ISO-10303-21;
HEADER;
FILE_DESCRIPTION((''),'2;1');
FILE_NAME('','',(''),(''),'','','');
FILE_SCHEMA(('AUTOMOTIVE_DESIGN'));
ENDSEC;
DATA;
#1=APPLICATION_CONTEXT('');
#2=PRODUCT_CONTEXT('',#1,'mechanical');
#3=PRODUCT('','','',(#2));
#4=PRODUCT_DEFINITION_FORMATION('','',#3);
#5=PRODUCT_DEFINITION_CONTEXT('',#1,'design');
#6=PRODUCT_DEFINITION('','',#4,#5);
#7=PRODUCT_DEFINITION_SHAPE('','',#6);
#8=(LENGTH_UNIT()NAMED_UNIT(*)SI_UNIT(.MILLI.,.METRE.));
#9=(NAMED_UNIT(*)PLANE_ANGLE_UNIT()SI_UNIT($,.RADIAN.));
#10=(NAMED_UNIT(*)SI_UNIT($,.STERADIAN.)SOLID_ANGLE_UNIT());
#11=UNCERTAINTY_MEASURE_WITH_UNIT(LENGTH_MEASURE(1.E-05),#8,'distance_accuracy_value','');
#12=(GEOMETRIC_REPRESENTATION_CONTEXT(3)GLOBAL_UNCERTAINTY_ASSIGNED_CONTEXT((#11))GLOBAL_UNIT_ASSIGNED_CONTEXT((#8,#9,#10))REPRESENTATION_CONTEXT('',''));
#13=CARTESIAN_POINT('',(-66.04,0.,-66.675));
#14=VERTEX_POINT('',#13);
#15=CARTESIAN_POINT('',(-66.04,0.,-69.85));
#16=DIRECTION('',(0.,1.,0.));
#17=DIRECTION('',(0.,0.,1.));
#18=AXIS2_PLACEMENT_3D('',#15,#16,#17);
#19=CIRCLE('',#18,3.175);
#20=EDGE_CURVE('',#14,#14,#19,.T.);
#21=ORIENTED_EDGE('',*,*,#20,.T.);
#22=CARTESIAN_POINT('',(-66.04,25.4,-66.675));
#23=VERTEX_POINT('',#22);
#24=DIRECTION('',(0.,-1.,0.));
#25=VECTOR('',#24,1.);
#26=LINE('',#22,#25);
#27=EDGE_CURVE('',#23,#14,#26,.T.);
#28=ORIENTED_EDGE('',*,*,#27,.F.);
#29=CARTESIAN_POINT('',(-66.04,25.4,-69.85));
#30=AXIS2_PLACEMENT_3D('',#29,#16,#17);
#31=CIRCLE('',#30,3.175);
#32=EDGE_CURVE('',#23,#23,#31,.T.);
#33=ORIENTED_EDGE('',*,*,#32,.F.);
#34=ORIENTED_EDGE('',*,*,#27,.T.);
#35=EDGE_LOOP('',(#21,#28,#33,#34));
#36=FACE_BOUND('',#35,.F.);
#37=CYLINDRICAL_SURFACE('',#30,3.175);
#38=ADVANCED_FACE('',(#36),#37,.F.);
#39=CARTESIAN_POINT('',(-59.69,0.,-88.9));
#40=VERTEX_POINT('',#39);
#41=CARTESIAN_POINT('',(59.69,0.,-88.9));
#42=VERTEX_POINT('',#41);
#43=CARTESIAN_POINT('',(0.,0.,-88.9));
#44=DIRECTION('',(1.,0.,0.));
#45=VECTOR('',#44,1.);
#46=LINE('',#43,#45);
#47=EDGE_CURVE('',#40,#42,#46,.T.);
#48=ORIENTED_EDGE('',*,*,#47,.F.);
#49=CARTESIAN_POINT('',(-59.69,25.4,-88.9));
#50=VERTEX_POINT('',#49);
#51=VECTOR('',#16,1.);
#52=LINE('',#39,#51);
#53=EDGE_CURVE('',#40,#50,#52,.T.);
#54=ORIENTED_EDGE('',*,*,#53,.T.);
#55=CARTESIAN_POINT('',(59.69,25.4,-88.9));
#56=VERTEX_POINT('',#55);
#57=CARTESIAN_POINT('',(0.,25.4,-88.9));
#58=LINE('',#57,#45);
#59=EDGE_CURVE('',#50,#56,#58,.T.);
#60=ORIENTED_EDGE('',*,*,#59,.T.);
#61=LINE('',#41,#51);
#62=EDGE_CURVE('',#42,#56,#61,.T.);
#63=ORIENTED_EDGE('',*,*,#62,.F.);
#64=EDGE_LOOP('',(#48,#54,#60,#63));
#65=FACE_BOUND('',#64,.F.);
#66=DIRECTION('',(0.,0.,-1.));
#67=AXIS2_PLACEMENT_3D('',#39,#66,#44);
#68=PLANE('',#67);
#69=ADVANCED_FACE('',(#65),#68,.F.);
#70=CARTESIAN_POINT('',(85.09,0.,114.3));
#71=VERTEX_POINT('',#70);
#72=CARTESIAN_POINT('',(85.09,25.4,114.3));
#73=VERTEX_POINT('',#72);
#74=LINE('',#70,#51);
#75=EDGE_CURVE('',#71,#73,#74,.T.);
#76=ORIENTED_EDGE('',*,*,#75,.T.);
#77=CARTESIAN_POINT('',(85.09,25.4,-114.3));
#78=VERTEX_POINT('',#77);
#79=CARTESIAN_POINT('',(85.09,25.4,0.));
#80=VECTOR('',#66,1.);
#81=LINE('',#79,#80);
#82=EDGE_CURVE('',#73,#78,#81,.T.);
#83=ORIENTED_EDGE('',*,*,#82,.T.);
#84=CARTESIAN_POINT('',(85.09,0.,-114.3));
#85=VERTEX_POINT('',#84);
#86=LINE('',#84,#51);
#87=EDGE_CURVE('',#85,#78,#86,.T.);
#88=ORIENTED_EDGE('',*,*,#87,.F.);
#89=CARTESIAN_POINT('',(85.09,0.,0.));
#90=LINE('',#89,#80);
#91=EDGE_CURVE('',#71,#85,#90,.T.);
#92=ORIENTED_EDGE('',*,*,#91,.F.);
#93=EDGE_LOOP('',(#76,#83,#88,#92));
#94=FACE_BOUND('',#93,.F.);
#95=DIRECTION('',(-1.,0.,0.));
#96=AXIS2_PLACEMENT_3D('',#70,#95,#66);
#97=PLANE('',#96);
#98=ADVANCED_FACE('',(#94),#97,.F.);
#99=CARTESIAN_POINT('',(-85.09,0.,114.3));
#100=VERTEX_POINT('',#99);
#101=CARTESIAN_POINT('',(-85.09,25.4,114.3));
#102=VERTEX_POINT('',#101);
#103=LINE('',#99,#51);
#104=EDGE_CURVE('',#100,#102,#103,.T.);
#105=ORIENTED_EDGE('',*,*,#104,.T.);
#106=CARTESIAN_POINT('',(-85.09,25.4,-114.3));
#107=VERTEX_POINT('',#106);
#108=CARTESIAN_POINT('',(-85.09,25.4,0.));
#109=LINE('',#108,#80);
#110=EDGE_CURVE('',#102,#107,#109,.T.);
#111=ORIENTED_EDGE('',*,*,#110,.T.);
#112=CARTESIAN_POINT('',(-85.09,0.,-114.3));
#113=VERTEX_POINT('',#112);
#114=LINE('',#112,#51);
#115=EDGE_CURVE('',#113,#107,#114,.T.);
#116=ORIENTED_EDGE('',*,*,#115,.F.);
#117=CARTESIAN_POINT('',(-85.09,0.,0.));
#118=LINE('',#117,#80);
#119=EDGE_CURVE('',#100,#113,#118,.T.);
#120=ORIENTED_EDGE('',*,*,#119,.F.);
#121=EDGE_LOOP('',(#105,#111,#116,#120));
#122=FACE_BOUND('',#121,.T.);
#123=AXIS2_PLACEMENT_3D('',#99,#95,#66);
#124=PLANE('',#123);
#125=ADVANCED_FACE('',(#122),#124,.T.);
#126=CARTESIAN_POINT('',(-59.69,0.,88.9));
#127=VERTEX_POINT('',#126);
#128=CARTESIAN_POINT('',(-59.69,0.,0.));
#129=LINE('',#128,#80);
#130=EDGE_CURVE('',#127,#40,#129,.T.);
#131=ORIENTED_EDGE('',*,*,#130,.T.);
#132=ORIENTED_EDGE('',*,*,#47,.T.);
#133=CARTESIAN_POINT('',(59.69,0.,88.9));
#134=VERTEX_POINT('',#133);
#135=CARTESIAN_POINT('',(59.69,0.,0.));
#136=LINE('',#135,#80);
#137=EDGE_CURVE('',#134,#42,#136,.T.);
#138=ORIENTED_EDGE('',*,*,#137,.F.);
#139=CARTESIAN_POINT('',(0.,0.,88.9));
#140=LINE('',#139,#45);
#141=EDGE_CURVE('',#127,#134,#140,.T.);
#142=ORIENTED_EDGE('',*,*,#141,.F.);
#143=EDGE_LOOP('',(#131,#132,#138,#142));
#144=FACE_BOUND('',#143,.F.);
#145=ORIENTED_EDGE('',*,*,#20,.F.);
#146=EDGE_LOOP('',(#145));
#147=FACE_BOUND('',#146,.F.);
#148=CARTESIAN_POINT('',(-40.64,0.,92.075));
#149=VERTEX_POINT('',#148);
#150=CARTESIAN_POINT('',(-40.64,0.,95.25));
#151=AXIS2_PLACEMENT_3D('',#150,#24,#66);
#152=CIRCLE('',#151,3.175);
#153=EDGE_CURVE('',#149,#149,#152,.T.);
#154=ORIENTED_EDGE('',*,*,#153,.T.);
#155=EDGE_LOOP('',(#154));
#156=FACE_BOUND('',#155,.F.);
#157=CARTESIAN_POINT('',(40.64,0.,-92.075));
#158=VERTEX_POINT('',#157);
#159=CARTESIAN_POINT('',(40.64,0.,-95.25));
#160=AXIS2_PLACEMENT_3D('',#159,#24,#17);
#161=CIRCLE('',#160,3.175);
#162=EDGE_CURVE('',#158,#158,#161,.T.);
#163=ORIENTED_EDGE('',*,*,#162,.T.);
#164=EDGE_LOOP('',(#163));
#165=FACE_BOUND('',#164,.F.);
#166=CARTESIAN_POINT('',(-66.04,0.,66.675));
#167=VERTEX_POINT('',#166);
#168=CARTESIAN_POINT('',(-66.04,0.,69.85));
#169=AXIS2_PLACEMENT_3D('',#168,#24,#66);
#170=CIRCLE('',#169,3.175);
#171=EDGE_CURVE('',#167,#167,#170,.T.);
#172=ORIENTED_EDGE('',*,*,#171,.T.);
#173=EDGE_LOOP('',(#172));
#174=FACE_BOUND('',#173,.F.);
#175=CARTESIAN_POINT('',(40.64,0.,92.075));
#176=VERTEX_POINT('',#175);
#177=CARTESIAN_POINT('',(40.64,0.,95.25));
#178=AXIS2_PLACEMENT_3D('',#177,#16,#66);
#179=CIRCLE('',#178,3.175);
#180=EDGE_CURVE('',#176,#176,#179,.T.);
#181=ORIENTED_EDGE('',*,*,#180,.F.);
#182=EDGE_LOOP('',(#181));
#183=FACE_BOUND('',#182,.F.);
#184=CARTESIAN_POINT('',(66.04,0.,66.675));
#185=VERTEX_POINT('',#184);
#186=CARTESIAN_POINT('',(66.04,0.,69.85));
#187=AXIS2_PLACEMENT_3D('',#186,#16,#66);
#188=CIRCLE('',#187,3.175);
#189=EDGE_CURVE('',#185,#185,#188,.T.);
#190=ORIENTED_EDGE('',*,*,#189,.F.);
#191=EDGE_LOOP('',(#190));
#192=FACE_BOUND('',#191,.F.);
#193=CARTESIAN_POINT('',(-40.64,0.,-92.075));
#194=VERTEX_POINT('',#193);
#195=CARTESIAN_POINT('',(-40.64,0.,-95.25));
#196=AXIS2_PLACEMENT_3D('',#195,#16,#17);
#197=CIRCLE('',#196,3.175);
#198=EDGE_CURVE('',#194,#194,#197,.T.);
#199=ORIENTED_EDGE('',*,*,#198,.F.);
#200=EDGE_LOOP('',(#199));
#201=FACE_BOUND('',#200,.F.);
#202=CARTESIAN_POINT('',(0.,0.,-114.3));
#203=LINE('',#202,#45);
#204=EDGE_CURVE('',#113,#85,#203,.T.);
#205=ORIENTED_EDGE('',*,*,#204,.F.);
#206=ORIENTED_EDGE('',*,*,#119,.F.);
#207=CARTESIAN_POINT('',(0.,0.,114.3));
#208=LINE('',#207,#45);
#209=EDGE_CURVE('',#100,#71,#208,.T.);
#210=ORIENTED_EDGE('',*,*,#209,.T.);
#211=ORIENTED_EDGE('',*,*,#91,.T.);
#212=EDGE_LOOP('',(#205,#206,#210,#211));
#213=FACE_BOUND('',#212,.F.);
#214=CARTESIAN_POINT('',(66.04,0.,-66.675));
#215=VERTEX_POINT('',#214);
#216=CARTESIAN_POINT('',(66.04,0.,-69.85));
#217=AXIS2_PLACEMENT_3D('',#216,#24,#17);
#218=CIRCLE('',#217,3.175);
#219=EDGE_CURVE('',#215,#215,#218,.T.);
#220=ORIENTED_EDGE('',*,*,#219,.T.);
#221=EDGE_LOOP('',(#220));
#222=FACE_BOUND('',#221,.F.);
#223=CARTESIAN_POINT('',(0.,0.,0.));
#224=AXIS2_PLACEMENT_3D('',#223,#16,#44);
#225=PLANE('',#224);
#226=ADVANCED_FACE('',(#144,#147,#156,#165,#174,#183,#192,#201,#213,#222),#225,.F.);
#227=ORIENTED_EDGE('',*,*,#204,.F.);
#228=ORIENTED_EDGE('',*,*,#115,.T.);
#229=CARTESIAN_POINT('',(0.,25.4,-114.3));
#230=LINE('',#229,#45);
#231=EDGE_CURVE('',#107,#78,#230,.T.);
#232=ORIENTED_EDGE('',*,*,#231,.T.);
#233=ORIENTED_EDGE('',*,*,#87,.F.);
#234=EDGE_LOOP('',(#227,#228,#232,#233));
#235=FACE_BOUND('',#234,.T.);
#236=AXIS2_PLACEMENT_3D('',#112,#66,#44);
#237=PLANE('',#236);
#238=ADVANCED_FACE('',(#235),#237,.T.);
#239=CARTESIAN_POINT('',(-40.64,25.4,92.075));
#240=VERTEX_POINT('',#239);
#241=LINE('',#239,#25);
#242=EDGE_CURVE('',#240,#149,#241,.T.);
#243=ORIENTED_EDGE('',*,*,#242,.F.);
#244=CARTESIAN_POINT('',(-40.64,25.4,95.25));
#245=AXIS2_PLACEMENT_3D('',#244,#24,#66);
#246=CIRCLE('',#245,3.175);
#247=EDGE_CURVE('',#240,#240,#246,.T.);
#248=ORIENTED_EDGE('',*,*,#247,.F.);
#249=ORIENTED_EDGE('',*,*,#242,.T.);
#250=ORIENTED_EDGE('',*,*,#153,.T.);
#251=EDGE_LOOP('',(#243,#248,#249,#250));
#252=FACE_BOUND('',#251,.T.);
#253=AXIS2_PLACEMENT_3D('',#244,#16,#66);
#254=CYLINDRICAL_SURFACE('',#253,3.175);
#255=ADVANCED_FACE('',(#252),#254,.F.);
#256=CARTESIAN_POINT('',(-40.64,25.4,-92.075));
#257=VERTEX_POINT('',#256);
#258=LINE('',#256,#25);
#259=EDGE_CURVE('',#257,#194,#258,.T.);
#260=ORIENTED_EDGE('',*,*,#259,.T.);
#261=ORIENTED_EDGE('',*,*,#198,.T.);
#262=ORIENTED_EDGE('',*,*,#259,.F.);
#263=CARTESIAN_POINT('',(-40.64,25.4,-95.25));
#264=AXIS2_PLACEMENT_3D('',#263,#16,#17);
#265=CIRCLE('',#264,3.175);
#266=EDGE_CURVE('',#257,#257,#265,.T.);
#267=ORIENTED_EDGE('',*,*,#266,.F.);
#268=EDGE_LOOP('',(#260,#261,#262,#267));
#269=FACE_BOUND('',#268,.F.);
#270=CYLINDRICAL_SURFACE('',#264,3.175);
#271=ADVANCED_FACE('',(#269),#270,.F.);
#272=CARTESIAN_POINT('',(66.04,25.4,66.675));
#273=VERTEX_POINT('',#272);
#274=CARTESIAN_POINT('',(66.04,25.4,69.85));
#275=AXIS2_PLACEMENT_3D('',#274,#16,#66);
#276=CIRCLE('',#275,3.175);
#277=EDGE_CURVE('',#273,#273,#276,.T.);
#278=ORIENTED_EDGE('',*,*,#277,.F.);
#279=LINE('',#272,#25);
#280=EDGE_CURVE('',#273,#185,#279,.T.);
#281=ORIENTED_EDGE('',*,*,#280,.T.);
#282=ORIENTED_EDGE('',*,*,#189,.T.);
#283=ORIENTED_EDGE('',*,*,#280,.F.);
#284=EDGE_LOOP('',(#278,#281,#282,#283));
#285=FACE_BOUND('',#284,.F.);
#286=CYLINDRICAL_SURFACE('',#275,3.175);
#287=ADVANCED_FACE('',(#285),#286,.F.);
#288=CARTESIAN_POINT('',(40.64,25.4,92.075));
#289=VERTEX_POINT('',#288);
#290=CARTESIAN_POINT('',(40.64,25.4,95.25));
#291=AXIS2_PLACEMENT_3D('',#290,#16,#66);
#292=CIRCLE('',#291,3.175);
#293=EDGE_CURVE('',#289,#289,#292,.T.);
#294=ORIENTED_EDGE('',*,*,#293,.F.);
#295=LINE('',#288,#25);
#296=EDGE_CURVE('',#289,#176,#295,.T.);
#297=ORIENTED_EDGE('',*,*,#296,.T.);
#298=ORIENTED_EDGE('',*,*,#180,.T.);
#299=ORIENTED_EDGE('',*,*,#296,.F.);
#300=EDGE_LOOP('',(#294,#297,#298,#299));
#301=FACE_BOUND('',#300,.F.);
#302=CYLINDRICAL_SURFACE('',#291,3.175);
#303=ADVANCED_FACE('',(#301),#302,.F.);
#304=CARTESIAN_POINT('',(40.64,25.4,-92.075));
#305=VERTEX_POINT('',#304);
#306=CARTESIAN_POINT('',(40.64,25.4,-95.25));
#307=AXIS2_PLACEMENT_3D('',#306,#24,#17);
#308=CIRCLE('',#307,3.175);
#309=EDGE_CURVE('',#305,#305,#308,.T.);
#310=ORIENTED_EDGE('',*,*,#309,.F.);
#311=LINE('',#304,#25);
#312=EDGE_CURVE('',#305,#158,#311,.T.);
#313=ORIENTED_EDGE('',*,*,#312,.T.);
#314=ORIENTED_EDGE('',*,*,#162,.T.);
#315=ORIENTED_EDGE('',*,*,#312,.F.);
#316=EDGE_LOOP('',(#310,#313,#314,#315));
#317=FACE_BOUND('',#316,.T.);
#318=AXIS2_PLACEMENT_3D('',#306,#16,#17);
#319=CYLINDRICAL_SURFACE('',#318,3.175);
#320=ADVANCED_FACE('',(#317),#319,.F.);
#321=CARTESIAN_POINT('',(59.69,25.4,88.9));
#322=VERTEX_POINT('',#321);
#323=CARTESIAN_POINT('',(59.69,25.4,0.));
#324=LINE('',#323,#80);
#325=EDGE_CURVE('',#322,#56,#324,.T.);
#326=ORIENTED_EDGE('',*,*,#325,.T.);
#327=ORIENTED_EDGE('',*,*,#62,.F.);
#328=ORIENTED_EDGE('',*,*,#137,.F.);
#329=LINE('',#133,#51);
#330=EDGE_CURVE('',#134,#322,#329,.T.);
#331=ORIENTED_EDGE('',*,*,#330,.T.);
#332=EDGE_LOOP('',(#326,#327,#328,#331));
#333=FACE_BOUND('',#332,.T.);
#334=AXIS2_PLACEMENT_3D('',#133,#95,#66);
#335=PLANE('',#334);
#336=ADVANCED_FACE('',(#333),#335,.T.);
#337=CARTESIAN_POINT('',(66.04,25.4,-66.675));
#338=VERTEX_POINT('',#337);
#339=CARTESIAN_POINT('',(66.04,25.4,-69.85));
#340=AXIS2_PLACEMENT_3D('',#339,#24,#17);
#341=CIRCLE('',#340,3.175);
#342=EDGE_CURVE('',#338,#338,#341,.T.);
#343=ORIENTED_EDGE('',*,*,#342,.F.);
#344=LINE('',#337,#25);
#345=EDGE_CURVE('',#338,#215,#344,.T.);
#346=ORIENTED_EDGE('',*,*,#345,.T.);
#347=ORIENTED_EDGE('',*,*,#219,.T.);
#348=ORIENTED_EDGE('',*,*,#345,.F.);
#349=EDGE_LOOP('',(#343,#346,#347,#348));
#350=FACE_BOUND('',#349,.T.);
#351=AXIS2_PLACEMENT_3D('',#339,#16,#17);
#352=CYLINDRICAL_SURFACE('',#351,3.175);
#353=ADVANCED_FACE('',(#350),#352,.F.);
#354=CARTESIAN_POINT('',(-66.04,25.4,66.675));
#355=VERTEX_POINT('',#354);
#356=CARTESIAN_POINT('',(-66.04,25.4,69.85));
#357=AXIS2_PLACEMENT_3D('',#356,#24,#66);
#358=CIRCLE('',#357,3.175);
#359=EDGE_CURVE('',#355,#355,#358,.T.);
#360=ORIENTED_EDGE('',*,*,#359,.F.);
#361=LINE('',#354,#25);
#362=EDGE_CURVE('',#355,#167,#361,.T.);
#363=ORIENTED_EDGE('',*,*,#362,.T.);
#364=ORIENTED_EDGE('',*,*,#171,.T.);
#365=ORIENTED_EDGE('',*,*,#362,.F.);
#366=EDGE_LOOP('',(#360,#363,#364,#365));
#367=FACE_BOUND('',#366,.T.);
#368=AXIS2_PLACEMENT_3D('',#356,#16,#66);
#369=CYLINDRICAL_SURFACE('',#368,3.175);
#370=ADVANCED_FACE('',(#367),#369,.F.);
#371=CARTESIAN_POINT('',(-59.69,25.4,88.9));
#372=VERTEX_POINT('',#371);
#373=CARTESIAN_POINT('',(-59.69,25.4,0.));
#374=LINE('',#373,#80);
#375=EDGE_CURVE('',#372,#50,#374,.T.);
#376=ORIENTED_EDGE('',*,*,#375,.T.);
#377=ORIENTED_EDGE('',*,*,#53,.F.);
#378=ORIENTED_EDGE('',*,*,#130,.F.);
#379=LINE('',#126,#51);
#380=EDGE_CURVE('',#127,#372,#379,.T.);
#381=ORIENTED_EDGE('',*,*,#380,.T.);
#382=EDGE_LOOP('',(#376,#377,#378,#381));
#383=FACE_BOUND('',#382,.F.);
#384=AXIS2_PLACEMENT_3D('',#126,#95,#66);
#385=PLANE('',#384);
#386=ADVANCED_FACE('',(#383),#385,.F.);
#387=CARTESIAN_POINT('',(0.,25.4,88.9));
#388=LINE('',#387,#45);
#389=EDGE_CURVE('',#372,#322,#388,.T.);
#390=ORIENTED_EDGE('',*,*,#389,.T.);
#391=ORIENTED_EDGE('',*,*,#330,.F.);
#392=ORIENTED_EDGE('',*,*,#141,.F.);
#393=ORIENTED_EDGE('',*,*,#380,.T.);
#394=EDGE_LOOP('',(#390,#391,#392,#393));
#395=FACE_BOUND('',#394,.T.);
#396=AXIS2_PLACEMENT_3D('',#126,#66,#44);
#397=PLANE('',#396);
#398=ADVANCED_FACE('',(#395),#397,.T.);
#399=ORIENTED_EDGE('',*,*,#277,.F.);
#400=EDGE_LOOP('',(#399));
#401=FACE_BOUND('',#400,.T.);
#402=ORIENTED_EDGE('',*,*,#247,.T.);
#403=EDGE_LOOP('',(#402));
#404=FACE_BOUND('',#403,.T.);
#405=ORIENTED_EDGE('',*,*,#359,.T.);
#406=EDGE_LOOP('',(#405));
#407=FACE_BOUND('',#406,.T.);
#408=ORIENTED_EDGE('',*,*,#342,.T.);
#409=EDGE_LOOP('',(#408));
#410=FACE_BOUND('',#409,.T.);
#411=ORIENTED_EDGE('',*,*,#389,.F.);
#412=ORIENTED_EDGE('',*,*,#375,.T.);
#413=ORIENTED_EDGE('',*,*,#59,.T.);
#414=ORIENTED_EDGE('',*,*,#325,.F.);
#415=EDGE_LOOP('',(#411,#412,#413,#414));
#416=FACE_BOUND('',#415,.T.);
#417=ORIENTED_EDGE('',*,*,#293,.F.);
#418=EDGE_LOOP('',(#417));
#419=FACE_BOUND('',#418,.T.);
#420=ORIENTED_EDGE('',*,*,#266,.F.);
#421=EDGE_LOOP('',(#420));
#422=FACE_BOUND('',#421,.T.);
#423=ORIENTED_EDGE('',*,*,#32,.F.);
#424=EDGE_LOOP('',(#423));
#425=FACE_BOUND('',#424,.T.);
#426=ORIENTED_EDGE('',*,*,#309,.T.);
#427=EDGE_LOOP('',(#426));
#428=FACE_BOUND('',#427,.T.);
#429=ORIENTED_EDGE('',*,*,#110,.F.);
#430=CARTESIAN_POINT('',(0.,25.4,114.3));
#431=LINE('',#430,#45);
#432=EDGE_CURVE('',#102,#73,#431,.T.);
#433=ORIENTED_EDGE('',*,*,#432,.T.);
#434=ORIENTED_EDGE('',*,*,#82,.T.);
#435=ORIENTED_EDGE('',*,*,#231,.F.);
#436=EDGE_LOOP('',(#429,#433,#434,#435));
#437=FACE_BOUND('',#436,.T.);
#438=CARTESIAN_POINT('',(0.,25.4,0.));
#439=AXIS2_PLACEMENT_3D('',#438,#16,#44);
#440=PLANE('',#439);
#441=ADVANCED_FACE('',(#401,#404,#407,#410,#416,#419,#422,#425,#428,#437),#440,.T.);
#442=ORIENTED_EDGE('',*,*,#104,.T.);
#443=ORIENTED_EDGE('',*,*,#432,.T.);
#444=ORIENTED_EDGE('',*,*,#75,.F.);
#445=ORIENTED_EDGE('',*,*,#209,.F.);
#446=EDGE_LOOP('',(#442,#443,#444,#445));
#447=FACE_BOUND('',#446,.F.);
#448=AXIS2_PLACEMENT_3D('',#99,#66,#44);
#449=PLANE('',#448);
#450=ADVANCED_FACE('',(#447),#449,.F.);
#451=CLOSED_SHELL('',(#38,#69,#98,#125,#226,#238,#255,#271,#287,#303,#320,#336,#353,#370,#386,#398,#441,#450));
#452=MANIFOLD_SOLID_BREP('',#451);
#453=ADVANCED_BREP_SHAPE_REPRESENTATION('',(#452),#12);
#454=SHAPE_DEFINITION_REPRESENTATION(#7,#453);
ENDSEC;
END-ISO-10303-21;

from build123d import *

# Parameters (mm, degrees)
SKETCH2_W               = 170.18
SKETCH2_H               = 228.6
SKETCH2_W_2             = 119.38
SKETCH2_H_2             = 177.8
BOSS_EXTRUDE1_DEPTH     = 25.4
CUT_EXTRUDE1_REACH      = 146.741
SKETCH3_R               = 3.175
MIRROR2_COPY_1_REACH    = 146.741
MIRROR2_COPY_1_SKETCH_R = 3.175


with BuildPart() as part:
    # Sketch2 → Boss-Extrude1 (new body)
    with BuildSketch(Plane(origin=(0, 0, 0), x_dir=(1, 0, 0), z_dir=(0, 1, 0))):
        Rectangle(SKETCH2_W, SKETCH2_H)
        Rectangle(SKETCH2_W_2, SKETCH2_H_2, mode=Mode.SUBTRACT)
    extrude(amount=BOSS_EXTRUDE1_DEPTH)

    # Sketch3 → Cut-Extrude1 (cut, up to next)
    with BuildSketch(Plane(origin=(0, 25.4, 0), x_dir=(1, 0, 0), z_dir=(0, 1, 0)), mode=Mode.PRIVATE) as cut_extrude1_sk1:
        with Locations(Location((-66.04, 69.85, 0), (0, 0, 270))):
            Circle(SKETCH3_R)
    cut_extrude1_tool1 = extrude(cut_extrude1_sk1.sketch, amount=-CUT_EXTRUDE1_REACH, mode=Mode.PRIVATE) & part.part
    # Sketch3 → Cut-Extrude1 (cut, up to next)
    with BuildSketch(Plane(origin=(0, 25.4, 0), x_dir=(1, 0, 0), z_dir=(0, 1, 0)), mode=Mode.PRIVATE) as cut_extrude1_sk2:
        with Locations(Location((-40.64, 95.25, 0), (0, 0, 270))):
            Circle(SKETCH3_R)
    cut_extrude1_tool2 = extrude(cut_extrude1_sk2.sketch, amount=-CUT_EXTRUDE1_REACH, mode=Mode.PRIVATE) & part.part
    cut_extrude1_1 = cut_extrude1_tool1.solids().sort_by_distance((-66.04, 25.4, -69.85))[0]
    add(cut_extrude1_1, mode=Mode.SUBTRACT)
    cut_extrude1_2 = cut_extrude1_tool2.solids().sort_by_distance((-40.64, 25.4, -95.25))[0]
    add(cut_extrude1_2, mode=Mode.SUBTRACT)
    cut_extrude1 = cut_extrude1_1 + cut_extrude1_2  # Cut-Extrude1 as one shape, for the pattern or mirror that repeats it

    # Mirror1: Cut-Extrude1 across plane
    add(cut_extrude1.mirror(Plane(origin=(0, 0, 0), x_dir=(0, 0, 1), z_dir=(1, 0, 0))), mode=Mode.SUBTRACT)

    # Mirror2: Cut-Extrude1 across plane
    add(cut_extrude1.mirror(Plane.XY), mode=Mode.SUBTRACT)

    # Mirror2 copy 1 sketch → Mirror2 copy 1 (cut, up to next)
    with BuildSketch(Plane(origin=(0, 25.4, 0), x_dir=(-1, 0, 0), z_dir=(0, 1, 0)), mode=Mode.PRIVATE) as mirror2_copy_1_sk1:
        with Locations(Location((-66.04, 69.85, 0), (0, 0, 270))):
            Circle(MIRROR2_COPY_1_SKETCH_R)
    mirror2_copy_1_tool1 = extrude(mirror2_copy_1_sk1.sketch, amount=-MIRROR2_COPY_1_REACH, mode=Mode.PRIVATE) & part.part
    # Mirror2 copy 1 sketch → Mirror2 copy 1 (cut, up to next)
    with BuildSketch(Plane(origin=(0, 25.4, 0), x_dir=(-1, 0, 0), z_dir=(0, 1, 0)), mode=Mode.PRIVATE) as mirror2_copy_1_sk2:
        with Locations(Location((-40.64, 95.25, 0), (0, 0, 270))):
            Circle(MIRROR2_COPY_1_SKETCH_R)
    mirror2_copy_1_tool2 = extrude(mirror2_copy_1_sk2.sketch, amount=-MIRROR2_COPY_1_REACH, mode=Mode.PRIVATE) & part.part
    add(mirror2_copy_1_tool1.solids().sort_by_distance((66.04, 25.4, 69.85))[0], mode=Mode.SUBTRACT)
    add(mirror2_copy_1_tool2.solids().sort_by_distance((40.64, 25.4, 95.25))[0], mode=Mode.SUBTRACT)


solid = part.part
